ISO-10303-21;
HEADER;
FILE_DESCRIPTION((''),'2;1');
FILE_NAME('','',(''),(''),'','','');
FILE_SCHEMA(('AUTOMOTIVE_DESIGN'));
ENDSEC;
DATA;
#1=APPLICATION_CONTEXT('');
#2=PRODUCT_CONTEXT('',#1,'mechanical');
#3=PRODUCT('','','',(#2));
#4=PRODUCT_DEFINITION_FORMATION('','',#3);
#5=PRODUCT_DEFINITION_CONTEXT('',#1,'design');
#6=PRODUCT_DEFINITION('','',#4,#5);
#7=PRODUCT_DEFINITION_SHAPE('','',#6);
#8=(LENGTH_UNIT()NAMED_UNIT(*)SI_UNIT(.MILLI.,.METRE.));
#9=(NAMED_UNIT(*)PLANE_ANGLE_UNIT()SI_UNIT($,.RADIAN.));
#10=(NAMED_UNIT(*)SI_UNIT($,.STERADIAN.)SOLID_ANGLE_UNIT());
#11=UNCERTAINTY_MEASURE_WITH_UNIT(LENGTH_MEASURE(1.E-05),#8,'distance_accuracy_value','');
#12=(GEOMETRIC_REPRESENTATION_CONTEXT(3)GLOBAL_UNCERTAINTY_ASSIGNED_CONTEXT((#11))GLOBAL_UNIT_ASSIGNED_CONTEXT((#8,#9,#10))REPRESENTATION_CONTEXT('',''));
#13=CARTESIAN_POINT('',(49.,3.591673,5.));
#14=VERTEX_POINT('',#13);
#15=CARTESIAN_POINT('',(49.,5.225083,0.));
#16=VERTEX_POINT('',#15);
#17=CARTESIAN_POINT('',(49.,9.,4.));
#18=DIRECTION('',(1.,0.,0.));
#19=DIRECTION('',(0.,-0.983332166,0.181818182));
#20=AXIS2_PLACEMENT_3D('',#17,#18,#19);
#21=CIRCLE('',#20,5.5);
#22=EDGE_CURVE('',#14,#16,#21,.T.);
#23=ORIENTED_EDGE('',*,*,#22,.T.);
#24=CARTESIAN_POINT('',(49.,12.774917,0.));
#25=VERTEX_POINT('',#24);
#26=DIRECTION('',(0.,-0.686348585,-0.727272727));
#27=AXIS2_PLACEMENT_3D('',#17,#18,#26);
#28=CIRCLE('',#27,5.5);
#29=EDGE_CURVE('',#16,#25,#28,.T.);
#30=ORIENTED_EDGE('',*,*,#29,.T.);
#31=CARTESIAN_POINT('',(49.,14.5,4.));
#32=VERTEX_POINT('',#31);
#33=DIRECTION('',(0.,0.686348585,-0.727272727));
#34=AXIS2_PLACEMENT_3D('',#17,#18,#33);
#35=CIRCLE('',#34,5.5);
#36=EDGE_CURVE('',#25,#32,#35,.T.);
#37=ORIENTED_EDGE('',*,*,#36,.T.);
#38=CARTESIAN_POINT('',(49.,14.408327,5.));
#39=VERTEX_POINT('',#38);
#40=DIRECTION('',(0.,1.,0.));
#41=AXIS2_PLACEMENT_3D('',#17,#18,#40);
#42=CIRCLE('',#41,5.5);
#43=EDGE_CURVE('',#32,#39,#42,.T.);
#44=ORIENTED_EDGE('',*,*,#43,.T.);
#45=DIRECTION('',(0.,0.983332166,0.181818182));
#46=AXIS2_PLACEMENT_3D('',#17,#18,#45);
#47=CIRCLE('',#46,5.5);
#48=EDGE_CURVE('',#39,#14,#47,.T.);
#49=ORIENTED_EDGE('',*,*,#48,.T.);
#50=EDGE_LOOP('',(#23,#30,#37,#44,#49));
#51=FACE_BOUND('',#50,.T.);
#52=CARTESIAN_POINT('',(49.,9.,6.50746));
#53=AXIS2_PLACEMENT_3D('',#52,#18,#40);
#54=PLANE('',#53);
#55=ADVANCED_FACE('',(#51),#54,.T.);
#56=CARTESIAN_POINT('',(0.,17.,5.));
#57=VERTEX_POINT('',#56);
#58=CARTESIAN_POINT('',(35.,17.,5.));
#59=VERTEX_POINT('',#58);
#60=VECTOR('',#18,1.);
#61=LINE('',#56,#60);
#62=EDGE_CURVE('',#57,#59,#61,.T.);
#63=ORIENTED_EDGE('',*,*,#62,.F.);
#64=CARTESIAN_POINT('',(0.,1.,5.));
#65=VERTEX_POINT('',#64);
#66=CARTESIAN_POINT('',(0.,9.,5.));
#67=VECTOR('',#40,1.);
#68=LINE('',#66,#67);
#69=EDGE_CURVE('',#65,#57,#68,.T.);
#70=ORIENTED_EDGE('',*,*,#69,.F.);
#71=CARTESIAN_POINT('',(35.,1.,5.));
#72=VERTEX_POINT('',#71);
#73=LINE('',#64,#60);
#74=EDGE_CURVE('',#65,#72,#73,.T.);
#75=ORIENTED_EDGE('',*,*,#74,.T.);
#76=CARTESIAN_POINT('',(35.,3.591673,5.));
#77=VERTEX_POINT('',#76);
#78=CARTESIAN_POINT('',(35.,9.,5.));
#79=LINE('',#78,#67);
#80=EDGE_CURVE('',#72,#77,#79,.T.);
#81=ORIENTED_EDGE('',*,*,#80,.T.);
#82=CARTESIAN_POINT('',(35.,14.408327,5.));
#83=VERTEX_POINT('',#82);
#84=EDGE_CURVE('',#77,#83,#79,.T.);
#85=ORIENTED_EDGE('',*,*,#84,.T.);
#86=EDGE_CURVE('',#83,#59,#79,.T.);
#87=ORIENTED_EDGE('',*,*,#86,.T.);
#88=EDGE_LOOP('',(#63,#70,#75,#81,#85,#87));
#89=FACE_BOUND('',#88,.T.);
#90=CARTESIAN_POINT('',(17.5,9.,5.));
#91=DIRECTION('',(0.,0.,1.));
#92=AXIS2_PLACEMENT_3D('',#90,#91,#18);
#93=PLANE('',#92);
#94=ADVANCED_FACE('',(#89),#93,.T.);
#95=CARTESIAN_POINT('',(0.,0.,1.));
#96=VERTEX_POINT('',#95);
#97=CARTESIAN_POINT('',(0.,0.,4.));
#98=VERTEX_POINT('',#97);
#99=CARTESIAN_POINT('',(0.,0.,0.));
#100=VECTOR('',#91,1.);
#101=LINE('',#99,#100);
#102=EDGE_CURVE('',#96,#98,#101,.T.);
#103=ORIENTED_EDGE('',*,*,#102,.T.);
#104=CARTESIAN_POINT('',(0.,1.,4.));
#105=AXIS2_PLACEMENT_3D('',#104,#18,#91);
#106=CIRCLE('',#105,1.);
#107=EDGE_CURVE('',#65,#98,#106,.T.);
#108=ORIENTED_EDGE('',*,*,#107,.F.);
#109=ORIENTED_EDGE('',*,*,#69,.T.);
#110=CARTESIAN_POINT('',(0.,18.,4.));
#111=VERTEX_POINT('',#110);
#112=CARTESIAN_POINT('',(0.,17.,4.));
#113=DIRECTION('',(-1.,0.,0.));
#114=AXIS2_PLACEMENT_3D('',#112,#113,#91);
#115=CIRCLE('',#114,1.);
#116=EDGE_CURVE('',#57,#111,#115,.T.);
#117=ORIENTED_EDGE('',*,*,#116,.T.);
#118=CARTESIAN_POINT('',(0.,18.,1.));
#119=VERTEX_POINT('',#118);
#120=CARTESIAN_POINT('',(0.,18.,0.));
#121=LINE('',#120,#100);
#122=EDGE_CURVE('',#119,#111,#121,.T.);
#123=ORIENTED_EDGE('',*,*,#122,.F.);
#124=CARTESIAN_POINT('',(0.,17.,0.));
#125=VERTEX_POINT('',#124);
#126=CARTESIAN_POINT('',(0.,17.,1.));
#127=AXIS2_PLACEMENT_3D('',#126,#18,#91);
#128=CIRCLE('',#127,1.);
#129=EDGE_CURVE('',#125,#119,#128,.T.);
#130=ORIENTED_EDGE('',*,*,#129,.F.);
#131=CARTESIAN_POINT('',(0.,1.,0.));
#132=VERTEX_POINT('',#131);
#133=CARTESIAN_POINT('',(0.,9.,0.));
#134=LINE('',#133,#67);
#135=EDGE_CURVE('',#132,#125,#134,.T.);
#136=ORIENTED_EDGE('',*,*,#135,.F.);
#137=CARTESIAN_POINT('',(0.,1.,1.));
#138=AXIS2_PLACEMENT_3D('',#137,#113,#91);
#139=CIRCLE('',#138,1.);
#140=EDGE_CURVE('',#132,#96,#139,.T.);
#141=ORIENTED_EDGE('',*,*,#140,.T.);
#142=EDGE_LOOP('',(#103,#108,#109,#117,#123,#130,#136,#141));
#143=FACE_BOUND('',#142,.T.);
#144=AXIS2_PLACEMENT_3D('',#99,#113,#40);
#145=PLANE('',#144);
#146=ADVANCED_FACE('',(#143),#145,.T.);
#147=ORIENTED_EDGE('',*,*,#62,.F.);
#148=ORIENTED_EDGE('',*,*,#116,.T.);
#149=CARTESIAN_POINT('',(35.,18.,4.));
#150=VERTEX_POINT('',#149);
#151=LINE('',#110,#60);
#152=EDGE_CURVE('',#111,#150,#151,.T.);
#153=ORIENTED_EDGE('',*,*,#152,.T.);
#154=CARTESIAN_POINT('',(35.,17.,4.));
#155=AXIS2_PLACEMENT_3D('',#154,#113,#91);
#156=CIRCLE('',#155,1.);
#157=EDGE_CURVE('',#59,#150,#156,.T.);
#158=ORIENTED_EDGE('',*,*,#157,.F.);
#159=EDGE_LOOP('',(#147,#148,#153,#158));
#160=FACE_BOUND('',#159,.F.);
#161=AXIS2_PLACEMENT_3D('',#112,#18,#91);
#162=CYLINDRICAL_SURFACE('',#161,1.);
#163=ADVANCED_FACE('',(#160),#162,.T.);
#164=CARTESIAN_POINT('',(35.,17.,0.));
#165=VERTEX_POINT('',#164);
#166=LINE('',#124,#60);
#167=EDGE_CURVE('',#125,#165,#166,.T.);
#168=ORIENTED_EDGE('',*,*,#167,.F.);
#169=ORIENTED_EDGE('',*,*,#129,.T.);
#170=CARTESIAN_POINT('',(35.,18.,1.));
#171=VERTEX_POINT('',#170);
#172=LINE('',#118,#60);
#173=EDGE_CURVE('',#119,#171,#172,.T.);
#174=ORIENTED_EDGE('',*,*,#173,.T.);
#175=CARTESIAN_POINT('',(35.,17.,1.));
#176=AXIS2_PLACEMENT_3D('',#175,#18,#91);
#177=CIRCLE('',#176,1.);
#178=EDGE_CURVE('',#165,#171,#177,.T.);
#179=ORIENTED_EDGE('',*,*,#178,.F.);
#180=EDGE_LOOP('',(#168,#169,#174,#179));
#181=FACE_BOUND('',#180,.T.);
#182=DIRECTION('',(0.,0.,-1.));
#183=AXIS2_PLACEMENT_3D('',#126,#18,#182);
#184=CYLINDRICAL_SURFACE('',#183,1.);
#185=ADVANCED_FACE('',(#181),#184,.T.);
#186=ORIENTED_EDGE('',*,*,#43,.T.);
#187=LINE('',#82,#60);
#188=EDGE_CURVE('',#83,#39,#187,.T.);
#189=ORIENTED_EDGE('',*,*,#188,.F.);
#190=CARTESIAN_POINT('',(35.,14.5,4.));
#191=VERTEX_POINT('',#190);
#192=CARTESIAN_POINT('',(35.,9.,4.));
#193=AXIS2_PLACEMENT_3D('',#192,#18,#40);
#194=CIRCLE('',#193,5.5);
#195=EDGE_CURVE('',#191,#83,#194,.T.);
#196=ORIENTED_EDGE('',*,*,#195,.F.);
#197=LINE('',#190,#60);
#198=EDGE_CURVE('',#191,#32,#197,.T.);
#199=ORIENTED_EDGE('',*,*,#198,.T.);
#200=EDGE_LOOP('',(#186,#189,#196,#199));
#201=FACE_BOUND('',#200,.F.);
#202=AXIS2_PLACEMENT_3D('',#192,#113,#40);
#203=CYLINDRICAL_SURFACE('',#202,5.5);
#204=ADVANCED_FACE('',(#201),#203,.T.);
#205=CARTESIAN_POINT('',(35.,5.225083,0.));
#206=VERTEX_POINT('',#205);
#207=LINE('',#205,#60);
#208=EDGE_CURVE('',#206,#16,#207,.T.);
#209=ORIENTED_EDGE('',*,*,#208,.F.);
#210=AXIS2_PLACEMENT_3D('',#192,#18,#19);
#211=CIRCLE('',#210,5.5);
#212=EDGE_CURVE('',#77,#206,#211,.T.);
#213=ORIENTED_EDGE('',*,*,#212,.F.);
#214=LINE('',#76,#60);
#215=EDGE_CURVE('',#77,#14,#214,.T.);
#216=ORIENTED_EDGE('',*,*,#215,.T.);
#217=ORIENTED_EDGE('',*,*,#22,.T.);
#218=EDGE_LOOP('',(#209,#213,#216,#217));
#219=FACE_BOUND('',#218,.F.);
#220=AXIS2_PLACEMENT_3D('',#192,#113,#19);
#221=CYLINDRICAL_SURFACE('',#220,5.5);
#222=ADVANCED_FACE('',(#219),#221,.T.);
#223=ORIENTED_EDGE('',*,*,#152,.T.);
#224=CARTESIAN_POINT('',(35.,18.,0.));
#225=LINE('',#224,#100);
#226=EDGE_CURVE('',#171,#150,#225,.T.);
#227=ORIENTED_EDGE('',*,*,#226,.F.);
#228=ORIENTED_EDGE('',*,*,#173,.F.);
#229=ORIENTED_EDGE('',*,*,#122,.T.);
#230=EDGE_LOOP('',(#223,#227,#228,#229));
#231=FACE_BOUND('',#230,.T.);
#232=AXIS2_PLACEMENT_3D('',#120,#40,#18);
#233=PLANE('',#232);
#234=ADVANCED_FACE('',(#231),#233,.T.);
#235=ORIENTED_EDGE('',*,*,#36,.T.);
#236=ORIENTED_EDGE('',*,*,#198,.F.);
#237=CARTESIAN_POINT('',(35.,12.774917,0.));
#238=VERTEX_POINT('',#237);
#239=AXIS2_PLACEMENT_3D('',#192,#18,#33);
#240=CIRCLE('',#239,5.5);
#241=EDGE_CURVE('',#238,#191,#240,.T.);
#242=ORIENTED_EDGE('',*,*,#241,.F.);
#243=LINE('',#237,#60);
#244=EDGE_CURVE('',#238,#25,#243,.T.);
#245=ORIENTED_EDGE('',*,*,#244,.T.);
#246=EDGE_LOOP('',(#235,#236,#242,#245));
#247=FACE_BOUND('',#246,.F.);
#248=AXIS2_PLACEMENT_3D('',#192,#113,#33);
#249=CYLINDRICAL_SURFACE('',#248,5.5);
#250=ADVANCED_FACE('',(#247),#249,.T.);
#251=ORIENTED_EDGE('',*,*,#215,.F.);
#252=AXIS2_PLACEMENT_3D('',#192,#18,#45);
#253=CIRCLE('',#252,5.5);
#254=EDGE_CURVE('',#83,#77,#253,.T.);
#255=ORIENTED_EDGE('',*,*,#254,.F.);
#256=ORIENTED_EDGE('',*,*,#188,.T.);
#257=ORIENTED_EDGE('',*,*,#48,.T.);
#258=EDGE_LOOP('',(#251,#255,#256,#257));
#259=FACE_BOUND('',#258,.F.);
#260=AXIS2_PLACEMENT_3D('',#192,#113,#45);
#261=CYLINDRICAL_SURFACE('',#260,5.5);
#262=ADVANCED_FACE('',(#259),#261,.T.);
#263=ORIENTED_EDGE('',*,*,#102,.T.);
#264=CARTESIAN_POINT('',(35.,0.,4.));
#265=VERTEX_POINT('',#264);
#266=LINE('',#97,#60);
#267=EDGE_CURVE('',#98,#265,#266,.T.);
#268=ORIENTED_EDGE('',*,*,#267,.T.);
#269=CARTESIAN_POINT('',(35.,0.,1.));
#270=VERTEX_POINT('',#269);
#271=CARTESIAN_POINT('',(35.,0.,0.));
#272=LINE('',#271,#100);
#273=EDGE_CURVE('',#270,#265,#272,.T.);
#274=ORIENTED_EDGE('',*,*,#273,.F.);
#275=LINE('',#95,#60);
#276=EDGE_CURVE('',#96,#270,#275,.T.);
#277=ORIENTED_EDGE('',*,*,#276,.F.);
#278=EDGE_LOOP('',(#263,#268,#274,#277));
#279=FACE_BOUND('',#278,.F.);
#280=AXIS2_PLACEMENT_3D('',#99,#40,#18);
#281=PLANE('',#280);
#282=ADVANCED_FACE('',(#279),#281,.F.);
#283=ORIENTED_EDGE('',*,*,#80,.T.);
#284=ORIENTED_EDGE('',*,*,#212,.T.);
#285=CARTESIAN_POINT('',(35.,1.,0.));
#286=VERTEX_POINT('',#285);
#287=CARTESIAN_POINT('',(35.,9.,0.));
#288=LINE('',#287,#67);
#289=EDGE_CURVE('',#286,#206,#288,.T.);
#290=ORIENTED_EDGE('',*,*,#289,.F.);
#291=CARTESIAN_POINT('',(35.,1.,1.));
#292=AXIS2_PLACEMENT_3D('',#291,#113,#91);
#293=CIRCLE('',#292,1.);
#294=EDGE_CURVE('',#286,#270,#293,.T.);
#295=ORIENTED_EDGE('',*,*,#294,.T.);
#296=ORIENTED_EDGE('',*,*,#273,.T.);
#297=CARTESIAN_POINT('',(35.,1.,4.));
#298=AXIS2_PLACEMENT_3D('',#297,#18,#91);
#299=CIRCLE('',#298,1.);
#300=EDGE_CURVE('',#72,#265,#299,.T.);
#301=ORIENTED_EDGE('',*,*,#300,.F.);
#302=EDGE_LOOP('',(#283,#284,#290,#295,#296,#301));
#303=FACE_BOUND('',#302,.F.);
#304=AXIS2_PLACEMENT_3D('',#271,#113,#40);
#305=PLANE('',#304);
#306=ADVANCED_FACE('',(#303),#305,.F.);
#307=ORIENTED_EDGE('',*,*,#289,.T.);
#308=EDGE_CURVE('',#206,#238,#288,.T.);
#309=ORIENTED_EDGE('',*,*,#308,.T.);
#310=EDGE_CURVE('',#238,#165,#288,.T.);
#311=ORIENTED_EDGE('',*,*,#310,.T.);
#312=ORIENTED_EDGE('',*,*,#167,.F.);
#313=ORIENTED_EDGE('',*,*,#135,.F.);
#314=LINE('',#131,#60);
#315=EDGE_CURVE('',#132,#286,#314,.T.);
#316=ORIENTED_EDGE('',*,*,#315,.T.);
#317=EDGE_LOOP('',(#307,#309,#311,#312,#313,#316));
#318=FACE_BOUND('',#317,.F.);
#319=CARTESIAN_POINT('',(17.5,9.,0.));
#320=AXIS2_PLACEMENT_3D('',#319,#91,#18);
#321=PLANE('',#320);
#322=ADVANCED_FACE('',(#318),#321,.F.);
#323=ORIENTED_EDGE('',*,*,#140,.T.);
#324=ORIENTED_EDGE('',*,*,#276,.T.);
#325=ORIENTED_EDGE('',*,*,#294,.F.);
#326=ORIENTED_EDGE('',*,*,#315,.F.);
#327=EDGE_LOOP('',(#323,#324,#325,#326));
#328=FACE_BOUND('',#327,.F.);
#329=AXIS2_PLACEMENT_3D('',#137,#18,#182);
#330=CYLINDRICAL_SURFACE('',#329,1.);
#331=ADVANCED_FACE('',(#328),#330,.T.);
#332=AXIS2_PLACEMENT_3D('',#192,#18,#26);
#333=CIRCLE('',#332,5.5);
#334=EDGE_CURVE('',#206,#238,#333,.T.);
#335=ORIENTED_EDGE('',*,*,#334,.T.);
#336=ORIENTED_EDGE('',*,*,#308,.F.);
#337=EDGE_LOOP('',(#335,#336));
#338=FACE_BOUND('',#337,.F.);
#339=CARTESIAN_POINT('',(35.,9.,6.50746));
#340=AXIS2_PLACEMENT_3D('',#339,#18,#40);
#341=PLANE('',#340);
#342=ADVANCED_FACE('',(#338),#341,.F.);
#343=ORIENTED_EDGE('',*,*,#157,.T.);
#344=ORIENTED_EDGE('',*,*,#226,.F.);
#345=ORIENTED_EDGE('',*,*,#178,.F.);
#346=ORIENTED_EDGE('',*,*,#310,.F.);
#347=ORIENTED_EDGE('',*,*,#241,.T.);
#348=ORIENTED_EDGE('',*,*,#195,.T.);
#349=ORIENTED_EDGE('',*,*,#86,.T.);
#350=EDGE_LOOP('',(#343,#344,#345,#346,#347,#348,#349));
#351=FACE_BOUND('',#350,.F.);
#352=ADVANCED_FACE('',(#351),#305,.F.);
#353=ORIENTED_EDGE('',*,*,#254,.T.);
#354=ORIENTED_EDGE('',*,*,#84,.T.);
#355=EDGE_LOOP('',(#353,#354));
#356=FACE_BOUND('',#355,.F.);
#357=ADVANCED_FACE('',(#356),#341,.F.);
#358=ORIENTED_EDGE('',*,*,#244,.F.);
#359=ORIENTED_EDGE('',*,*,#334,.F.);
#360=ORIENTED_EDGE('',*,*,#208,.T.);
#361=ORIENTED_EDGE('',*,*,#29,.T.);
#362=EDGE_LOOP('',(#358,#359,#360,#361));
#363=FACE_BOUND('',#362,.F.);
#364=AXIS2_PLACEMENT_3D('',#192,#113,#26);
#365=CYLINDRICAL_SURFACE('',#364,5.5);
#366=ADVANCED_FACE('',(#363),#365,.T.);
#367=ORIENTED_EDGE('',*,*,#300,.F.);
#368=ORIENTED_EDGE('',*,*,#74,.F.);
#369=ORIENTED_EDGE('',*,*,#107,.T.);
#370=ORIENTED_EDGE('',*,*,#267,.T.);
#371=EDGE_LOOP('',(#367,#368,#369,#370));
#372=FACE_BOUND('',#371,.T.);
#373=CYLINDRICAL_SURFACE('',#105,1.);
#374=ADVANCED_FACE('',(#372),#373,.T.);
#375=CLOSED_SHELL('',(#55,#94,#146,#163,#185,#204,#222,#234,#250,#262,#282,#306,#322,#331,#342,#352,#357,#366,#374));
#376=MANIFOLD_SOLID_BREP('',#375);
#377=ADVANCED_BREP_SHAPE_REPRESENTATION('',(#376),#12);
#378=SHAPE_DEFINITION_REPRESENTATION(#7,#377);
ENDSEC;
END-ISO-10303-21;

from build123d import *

# Parameters (mm, degrees)
F0_W     = 35
F0_H     = 18
F1_DEPTH = 5
F3_DEPTH = 14
F4_R     = 1


with BuildPart() as f1:
    # F0 (on Top) → F1 (new body)
    with BuildSketch(Plane.XY):
        with Locations((17.5, 9)):
            Rectangle(F0_W, F0_H)
    extrude(amount=F1_DEPTH)

    # F2 (on face) → F3 (join)
    with BuildSketch(Plane.YZ.offset(35)):
        with BuildLine():
            Line((3.5916730868, 5), (14.4083269132, 5))
            ThreePointArc((14.4083269132, 5), (9, 9.5), (3.5916730868, 5))
        make_face()
        with BuildLine():
            ThreePointArc((12.7749172176, 0), (14.0503487353, 1.8219325879), (14.5, 4))
            ThreePointArc((14.5, 4), (14.4770337785, 4.502096593), (14.4083269132, 5))
            Line((14.4083269132, 5), (3.5916730868, 5))
            ThreePointArc((3.5916730868, 5), (3.7719034829, 2.2920752919), (5.2250827824, 0))
            Line((5.2250827824, 0), (12.7749172176, 0))
        make_face()
        with BuildLine():
            ThreePointArc((5.2250827824, 0), (9, -1.5), (12.7749172176, 0))
            Line((12.7749172176, 0), (5.2250827824, 0))
        make_face()
    extrude(amount=F3_DEPTH)

    # F4
    f4_edges = [f1.edges().sort_by_distance(p)[0] for p in [
        (17.5, 0, 5),
        (17.5, 18, 5),
        (17.5, 0, 0),
        (17.5, 18, 0),
    ]]
    fillet(f4_edges, radius=F4_R)


solid = f1.part
